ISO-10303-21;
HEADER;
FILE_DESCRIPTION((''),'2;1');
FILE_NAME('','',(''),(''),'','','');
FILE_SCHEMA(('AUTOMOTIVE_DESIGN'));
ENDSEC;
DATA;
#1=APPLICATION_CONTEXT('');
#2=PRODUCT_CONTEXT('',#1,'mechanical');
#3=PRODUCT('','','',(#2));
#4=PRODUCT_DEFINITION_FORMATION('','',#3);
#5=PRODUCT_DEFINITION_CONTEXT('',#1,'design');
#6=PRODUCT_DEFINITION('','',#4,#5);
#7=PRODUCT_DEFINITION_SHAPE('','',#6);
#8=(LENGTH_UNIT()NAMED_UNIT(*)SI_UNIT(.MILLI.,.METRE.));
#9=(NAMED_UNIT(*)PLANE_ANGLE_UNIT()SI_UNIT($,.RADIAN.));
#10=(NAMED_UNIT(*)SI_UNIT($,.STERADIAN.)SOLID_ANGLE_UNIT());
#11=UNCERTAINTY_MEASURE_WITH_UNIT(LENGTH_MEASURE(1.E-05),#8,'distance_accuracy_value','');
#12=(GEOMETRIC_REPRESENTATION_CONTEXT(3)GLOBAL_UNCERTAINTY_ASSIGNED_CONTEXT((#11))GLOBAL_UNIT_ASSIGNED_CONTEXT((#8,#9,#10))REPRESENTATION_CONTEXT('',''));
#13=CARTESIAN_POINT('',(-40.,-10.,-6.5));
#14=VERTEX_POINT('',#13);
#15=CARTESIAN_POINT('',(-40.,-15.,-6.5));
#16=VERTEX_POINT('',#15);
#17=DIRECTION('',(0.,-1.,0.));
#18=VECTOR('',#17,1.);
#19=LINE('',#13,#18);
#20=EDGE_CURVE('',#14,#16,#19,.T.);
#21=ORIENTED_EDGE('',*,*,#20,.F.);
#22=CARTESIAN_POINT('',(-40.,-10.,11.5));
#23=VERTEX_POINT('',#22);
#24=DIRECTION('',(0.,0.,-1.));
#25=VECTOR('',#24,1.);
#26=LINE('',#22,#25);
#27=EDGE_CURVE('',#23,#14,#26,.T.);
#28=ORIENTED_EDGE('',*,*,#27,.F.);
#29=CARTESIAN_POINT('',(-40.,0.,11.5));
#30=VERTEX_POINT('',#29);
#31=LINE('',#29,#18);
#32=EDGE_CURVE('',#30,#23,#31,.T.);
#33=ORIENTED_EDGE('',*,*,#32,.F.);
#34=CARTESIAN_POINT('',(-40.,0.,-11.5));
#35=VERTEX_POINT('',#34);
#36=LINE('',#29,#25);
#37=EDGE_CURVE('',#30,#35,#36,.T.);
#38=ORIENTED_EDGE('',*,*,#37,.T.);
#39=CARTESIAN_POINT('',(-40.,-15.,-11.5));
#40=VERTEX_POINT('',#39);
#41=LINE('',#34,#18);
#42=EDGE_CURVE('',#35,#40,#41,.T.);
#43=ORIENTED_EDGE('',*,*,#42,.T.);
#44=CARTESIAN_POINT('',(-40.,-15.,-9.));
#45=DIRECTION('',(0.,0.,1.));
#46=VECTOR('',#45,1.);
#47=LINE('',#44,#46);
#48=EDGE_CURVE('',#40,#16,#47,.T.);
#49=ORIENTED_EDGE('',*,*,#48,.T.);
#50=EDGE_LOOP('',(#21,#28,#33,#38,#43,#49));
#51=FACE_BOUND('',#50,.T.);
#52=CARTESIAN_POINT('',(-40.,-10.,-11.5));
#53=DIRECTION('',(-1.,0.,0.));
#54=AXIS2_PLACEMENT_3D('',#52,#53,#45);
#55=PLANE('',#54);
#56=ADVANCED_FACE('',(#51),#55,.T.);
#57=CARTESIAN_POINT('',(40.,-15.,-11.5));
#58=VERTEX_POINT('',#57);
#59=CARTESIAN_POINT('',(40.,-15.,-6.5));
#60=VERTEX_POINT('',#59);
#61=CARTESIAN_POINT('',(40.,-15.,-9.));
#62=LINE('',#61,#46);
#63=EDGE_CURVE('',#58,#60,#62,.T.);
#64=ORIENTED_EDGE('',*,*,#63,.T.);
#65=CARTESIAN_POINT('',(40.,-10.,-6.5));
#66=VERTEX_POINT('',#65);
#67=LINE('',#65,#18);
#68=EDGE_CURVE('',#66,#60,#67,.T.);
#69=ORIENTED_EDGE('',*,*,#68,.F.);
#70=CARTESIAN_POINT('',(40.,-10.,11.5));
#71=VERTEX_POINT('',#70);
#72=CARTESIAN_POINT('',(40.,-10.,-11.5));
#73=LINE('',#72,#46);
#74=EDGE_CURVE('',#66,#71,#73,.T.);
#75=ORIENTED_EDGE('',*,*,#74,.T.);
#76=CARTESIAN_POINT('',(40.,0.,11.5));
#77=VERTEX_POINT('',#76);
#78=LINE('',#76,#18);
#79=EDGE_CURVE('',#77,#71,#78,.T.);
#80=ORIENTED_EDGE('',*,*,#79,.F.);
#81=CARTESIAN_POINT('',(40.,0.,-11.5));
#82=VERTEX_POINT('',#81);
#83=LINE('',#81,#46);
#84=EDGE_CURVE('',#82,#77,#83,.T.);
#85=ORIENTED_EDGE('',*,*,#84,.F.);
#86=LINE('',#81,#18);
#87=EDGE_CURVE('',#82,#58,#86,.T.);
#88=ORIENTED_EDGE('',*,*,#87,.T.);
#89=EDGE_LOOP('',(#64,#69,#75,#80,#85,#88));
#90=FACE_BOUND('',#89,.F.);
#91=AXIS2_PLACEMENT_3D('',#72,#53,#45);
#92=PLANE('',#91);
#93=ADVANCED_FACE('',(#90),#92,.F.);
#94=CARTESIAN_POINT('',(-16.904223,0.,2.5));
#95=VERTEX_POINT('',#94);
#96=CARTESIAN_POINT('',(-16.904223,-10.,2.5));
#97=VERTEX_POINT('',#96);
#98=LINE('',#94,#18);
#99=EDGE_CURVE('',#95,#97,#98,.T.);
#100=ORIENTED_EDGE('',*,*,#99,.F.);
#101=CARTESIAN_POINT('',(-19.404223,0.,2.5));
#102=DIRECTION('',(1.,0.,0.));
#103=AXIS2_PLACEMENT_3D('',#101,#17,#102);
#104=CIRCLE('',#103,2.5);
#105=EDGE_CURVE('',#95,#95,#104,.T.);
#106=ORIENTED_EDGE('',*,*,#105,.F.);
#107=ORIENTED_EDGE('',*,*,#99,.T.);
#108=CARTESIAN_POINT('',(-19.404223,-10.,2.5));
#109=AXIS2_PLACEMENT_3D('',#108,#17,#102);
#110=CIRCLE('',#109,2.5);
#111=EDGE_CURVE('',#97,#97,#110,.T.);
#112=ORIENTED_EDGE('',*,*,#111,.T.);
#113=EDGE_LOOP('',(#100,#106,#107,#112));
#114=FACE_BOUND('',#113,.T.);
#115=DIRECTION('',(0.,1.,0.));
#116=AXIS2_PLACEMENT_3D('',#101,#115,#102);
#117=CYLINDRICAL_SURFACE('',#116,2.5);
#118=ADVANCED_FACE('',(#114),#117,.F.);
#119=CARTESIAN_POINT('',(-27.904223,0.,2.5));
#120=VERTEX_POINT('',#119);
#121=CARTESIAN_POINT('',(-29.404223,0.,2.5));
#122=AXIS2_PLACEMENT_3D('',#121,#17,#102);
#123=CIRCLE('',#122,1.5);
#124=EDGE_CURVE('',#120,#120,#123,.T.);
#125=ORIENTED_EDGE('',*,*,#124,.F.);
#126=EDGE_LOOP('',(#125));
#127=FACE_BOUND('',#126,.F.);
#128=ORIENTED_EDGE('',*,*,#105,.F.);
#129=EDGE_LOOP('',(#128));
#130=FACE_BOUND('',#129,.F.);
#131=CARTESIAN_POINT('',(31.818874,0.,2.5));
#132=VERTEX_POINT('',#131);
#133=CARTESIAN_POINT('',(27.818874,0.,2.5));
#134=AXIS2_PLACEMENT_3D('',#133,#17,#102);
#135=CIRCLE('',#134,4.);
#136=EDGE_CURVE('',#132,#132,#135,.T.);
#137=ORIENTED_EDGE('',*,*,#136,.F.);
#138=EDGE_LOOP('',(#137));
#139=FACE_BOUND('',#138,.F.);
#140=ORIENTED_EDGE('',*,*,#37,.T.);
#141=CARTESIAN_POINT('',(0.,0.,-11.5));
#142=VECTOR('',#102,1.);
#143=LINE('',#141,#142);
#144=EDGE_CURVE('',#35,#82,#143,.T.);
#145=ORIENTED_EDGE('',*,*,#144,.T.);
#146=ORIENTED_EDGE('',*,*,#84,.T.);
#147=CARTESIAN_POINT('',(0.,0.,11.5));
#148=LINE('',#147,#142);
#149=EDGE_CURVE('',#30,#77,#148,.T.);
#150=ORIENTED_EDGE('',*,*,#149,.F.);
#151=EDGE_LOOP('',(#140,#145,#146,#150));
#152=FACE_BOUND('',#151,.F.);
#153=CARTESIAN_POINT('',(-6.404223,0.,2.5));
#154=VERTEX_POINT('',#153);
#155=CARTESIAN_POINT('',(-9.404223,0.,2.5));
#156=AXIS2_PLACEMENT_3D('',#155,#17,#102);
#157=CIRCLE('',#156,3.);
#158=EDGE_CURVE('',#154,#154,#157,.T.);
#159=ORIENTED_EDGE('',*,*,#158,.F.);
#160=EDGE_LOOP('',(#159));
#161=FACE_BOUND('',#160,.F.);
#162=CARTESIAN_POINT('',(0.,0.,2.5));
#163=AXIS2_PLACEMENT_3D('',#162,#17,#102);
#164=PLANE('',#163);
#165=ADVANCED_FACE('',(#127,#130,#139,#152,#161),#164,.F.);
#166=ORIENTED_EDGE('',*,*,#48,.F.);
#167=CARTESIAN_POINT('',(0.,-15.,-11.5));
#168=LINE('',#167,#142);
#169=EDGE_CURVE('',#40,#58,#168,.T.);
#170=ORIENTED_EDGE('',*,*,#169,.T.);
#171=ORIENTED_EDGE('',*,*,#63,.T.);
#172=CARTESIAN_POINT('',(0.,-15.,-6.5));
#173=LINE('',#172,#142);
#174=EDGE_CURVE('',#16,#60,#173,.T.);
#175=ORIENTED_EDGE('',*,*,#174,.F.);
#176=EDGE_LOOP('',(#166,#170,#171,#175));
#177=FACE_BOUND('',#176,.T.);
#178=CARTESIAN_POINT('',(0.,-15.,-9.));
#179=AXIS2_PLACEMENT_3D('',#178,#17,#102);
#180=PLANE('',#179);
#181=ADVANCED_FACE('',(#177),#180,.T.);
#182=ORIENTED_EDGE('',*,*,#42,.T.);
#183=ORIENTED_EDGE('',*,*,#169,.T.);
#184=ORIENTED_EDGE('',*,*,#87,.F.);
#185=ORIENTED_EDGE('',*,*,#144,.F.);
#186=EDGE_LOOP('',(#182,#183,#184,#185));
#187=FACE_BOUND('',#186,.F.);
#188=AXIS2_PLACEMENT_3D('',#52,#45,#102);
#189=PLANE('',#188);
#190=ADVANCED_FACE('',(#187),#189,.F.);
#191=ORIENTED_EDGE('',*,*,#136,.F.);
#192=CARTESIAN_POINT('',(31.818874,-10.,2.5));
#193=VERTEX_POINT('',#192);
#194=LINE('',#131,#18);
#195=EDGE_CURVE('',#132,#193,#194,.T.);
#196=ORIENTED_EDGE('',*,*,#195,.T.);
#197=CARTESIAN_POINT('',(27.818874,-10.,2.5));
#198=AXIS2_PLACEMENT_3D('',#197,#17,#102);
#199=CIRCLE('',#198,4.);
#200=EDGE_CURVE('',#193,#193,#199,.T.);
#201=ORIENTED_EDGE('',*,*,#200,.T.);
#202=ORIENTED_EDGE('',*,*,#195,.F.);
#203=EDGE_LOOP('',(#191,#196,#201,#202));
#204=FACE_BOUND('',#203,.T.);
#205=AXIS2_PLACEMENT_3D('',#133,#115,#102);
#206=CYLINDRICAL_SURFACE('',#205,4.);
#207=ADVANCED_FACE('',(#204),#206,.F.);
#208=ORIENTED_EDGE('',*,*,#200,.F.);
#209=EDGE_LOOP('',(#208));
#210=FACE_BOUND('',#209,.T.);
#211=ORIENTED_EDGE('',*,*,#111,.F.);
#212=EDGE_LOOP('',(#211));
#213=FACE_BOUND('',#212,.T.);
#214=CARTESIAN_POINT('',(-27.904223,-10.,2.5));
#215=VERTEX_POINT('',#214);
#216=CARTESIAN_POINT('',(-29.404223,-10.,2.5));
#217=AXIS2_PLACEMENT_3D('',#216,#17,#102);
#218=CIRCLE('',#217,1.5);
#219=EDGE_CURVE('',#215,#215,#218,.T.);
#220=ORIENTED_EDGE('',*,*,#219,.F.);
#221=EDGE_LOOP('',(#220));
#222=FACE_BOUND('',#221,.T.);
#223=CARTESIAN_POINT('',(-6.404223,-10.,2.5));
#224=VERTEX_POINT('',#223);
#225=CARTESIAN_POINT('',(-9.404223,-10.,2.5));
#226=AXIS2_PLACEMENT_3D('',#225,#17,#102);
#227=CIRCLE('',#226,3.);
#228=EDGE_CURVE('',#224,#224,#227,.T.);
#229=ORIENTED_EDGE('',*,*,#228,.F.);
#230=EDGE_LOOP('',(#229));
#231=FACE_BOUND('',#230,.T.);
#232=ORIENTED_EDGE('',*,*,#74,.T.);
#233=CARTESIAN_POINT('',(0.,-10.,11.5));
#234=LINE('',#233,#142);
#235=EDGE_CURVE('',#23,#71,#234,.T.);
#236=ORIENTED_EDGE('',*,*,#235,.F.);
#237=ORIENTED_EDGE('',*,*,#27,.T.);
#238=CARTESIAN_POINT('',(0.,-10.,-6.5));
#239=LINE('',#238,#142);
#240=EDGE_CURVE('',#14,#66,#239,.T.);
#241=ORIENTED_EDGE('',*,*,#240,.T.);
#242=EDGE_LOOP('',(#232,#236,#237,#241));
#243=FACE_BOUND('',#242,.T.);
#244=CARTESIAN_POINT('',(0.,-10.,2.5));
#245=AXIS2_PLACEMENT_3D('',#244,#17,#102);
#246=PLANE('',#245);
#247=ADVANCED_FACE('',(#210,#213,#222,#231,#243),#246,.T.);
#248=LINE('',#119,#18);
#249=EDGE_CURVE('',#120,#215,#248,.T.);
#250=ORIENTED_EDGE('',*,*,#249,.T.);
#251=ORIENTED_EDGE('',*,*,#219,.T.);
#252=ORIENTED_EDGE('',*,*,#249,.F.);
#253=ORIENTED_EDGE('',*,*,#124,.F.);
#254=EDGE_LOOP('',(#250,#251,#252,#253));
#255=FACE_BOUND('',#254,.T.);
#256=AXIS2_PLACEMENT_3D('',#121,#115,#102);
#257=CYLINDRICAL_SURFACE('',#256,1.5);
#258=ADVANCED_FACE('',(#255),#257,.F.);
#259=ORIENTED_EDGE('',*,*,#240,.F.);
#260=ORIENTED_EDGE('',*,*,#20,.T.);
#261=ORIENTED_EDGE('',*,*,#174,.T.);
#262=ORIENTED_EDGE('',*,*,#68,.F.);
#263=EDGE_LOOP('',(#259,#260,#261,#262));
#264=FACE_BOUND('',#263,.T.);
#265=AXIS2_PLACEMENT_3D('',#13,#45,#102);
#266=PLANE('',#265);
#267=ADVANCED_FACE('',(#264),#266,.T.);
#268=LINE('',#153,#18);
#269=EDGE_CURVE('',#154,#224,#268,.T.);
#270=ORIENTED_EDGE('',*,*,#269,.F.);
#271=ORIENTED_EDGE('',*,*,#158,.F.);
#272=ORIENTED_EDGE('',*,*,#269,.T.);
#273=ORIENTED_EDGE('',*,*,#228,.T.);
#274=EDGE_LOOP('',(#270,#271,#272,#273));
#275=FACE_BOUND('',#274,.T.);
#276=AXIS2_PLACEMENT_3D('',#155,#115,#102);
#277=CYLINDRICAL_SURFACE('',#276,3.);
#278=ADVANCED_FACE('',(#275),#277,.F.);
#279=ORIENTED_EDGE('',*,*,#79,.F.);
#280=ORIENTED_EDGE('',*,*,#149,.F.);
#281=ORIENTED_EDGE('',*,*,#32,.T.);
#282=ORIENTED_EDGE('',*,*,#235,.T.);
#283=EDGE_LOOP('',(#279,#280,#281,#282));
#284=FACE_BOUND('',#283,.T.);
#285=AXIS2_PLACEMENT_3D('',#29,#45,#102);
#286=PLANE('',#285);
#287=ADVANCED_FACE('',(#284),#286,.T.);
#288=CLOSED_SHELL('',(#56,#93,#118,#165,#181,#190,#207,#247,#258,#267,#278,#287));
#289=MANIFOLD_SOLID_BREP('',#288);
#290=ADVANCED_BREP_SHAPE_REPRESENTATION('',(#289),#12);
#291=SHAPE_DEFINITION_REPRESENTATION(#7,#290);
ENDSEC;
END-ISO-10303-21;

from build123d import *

# Parameters (mm, degrees)
F0_W     = 80
F0_H     = 18
F0_R     = 1.5
F0_R_2   = 2.5
F0_R_3   = 3
F0_R_4   = 4
F0_H_2   = 5
F1_DEPTH = 10
F2_W     = 80
F2_H     = 5
F3_DEPTH = 5


with BuildPart() as f1:
    # F0 (on Front) → F1 (new body)
    with BuildSketch(Plane.XZ):
        with Locations((0, 2.5)):
            Rectangle(F0_W, F0_H)
        with Locations((-29.404223, 2.5)):
            Circle(F0_R, mode=Mode.SUBTRACT)
        with Locations((-19.404223, 2.5)):
            Circle(F0_R_2, mode=Mode.SUBTRACT)
        with Locations((-9.404223, 2.5)):
            Circle(F0_R_3, mode=Mode.SUBTRACT)
        with Locations((27.818874, 2.5)):
            Circle(F0_R_4, mode=Mode.SUBTRACT)
        with Locations((0, -9)):
            Rectangle(F0_W, F0_H_2)
    extrude(amount=F1_DEPTH)

    # F2 (on face) → F3 (join)
    with BuildSketch(Plane.XZ.offset(10)):
        with Locations((0, -9)):
            Rectangle(F2_W, F2_H)
    extrude(amount=F3_DEPTH)


solid = f1.part
